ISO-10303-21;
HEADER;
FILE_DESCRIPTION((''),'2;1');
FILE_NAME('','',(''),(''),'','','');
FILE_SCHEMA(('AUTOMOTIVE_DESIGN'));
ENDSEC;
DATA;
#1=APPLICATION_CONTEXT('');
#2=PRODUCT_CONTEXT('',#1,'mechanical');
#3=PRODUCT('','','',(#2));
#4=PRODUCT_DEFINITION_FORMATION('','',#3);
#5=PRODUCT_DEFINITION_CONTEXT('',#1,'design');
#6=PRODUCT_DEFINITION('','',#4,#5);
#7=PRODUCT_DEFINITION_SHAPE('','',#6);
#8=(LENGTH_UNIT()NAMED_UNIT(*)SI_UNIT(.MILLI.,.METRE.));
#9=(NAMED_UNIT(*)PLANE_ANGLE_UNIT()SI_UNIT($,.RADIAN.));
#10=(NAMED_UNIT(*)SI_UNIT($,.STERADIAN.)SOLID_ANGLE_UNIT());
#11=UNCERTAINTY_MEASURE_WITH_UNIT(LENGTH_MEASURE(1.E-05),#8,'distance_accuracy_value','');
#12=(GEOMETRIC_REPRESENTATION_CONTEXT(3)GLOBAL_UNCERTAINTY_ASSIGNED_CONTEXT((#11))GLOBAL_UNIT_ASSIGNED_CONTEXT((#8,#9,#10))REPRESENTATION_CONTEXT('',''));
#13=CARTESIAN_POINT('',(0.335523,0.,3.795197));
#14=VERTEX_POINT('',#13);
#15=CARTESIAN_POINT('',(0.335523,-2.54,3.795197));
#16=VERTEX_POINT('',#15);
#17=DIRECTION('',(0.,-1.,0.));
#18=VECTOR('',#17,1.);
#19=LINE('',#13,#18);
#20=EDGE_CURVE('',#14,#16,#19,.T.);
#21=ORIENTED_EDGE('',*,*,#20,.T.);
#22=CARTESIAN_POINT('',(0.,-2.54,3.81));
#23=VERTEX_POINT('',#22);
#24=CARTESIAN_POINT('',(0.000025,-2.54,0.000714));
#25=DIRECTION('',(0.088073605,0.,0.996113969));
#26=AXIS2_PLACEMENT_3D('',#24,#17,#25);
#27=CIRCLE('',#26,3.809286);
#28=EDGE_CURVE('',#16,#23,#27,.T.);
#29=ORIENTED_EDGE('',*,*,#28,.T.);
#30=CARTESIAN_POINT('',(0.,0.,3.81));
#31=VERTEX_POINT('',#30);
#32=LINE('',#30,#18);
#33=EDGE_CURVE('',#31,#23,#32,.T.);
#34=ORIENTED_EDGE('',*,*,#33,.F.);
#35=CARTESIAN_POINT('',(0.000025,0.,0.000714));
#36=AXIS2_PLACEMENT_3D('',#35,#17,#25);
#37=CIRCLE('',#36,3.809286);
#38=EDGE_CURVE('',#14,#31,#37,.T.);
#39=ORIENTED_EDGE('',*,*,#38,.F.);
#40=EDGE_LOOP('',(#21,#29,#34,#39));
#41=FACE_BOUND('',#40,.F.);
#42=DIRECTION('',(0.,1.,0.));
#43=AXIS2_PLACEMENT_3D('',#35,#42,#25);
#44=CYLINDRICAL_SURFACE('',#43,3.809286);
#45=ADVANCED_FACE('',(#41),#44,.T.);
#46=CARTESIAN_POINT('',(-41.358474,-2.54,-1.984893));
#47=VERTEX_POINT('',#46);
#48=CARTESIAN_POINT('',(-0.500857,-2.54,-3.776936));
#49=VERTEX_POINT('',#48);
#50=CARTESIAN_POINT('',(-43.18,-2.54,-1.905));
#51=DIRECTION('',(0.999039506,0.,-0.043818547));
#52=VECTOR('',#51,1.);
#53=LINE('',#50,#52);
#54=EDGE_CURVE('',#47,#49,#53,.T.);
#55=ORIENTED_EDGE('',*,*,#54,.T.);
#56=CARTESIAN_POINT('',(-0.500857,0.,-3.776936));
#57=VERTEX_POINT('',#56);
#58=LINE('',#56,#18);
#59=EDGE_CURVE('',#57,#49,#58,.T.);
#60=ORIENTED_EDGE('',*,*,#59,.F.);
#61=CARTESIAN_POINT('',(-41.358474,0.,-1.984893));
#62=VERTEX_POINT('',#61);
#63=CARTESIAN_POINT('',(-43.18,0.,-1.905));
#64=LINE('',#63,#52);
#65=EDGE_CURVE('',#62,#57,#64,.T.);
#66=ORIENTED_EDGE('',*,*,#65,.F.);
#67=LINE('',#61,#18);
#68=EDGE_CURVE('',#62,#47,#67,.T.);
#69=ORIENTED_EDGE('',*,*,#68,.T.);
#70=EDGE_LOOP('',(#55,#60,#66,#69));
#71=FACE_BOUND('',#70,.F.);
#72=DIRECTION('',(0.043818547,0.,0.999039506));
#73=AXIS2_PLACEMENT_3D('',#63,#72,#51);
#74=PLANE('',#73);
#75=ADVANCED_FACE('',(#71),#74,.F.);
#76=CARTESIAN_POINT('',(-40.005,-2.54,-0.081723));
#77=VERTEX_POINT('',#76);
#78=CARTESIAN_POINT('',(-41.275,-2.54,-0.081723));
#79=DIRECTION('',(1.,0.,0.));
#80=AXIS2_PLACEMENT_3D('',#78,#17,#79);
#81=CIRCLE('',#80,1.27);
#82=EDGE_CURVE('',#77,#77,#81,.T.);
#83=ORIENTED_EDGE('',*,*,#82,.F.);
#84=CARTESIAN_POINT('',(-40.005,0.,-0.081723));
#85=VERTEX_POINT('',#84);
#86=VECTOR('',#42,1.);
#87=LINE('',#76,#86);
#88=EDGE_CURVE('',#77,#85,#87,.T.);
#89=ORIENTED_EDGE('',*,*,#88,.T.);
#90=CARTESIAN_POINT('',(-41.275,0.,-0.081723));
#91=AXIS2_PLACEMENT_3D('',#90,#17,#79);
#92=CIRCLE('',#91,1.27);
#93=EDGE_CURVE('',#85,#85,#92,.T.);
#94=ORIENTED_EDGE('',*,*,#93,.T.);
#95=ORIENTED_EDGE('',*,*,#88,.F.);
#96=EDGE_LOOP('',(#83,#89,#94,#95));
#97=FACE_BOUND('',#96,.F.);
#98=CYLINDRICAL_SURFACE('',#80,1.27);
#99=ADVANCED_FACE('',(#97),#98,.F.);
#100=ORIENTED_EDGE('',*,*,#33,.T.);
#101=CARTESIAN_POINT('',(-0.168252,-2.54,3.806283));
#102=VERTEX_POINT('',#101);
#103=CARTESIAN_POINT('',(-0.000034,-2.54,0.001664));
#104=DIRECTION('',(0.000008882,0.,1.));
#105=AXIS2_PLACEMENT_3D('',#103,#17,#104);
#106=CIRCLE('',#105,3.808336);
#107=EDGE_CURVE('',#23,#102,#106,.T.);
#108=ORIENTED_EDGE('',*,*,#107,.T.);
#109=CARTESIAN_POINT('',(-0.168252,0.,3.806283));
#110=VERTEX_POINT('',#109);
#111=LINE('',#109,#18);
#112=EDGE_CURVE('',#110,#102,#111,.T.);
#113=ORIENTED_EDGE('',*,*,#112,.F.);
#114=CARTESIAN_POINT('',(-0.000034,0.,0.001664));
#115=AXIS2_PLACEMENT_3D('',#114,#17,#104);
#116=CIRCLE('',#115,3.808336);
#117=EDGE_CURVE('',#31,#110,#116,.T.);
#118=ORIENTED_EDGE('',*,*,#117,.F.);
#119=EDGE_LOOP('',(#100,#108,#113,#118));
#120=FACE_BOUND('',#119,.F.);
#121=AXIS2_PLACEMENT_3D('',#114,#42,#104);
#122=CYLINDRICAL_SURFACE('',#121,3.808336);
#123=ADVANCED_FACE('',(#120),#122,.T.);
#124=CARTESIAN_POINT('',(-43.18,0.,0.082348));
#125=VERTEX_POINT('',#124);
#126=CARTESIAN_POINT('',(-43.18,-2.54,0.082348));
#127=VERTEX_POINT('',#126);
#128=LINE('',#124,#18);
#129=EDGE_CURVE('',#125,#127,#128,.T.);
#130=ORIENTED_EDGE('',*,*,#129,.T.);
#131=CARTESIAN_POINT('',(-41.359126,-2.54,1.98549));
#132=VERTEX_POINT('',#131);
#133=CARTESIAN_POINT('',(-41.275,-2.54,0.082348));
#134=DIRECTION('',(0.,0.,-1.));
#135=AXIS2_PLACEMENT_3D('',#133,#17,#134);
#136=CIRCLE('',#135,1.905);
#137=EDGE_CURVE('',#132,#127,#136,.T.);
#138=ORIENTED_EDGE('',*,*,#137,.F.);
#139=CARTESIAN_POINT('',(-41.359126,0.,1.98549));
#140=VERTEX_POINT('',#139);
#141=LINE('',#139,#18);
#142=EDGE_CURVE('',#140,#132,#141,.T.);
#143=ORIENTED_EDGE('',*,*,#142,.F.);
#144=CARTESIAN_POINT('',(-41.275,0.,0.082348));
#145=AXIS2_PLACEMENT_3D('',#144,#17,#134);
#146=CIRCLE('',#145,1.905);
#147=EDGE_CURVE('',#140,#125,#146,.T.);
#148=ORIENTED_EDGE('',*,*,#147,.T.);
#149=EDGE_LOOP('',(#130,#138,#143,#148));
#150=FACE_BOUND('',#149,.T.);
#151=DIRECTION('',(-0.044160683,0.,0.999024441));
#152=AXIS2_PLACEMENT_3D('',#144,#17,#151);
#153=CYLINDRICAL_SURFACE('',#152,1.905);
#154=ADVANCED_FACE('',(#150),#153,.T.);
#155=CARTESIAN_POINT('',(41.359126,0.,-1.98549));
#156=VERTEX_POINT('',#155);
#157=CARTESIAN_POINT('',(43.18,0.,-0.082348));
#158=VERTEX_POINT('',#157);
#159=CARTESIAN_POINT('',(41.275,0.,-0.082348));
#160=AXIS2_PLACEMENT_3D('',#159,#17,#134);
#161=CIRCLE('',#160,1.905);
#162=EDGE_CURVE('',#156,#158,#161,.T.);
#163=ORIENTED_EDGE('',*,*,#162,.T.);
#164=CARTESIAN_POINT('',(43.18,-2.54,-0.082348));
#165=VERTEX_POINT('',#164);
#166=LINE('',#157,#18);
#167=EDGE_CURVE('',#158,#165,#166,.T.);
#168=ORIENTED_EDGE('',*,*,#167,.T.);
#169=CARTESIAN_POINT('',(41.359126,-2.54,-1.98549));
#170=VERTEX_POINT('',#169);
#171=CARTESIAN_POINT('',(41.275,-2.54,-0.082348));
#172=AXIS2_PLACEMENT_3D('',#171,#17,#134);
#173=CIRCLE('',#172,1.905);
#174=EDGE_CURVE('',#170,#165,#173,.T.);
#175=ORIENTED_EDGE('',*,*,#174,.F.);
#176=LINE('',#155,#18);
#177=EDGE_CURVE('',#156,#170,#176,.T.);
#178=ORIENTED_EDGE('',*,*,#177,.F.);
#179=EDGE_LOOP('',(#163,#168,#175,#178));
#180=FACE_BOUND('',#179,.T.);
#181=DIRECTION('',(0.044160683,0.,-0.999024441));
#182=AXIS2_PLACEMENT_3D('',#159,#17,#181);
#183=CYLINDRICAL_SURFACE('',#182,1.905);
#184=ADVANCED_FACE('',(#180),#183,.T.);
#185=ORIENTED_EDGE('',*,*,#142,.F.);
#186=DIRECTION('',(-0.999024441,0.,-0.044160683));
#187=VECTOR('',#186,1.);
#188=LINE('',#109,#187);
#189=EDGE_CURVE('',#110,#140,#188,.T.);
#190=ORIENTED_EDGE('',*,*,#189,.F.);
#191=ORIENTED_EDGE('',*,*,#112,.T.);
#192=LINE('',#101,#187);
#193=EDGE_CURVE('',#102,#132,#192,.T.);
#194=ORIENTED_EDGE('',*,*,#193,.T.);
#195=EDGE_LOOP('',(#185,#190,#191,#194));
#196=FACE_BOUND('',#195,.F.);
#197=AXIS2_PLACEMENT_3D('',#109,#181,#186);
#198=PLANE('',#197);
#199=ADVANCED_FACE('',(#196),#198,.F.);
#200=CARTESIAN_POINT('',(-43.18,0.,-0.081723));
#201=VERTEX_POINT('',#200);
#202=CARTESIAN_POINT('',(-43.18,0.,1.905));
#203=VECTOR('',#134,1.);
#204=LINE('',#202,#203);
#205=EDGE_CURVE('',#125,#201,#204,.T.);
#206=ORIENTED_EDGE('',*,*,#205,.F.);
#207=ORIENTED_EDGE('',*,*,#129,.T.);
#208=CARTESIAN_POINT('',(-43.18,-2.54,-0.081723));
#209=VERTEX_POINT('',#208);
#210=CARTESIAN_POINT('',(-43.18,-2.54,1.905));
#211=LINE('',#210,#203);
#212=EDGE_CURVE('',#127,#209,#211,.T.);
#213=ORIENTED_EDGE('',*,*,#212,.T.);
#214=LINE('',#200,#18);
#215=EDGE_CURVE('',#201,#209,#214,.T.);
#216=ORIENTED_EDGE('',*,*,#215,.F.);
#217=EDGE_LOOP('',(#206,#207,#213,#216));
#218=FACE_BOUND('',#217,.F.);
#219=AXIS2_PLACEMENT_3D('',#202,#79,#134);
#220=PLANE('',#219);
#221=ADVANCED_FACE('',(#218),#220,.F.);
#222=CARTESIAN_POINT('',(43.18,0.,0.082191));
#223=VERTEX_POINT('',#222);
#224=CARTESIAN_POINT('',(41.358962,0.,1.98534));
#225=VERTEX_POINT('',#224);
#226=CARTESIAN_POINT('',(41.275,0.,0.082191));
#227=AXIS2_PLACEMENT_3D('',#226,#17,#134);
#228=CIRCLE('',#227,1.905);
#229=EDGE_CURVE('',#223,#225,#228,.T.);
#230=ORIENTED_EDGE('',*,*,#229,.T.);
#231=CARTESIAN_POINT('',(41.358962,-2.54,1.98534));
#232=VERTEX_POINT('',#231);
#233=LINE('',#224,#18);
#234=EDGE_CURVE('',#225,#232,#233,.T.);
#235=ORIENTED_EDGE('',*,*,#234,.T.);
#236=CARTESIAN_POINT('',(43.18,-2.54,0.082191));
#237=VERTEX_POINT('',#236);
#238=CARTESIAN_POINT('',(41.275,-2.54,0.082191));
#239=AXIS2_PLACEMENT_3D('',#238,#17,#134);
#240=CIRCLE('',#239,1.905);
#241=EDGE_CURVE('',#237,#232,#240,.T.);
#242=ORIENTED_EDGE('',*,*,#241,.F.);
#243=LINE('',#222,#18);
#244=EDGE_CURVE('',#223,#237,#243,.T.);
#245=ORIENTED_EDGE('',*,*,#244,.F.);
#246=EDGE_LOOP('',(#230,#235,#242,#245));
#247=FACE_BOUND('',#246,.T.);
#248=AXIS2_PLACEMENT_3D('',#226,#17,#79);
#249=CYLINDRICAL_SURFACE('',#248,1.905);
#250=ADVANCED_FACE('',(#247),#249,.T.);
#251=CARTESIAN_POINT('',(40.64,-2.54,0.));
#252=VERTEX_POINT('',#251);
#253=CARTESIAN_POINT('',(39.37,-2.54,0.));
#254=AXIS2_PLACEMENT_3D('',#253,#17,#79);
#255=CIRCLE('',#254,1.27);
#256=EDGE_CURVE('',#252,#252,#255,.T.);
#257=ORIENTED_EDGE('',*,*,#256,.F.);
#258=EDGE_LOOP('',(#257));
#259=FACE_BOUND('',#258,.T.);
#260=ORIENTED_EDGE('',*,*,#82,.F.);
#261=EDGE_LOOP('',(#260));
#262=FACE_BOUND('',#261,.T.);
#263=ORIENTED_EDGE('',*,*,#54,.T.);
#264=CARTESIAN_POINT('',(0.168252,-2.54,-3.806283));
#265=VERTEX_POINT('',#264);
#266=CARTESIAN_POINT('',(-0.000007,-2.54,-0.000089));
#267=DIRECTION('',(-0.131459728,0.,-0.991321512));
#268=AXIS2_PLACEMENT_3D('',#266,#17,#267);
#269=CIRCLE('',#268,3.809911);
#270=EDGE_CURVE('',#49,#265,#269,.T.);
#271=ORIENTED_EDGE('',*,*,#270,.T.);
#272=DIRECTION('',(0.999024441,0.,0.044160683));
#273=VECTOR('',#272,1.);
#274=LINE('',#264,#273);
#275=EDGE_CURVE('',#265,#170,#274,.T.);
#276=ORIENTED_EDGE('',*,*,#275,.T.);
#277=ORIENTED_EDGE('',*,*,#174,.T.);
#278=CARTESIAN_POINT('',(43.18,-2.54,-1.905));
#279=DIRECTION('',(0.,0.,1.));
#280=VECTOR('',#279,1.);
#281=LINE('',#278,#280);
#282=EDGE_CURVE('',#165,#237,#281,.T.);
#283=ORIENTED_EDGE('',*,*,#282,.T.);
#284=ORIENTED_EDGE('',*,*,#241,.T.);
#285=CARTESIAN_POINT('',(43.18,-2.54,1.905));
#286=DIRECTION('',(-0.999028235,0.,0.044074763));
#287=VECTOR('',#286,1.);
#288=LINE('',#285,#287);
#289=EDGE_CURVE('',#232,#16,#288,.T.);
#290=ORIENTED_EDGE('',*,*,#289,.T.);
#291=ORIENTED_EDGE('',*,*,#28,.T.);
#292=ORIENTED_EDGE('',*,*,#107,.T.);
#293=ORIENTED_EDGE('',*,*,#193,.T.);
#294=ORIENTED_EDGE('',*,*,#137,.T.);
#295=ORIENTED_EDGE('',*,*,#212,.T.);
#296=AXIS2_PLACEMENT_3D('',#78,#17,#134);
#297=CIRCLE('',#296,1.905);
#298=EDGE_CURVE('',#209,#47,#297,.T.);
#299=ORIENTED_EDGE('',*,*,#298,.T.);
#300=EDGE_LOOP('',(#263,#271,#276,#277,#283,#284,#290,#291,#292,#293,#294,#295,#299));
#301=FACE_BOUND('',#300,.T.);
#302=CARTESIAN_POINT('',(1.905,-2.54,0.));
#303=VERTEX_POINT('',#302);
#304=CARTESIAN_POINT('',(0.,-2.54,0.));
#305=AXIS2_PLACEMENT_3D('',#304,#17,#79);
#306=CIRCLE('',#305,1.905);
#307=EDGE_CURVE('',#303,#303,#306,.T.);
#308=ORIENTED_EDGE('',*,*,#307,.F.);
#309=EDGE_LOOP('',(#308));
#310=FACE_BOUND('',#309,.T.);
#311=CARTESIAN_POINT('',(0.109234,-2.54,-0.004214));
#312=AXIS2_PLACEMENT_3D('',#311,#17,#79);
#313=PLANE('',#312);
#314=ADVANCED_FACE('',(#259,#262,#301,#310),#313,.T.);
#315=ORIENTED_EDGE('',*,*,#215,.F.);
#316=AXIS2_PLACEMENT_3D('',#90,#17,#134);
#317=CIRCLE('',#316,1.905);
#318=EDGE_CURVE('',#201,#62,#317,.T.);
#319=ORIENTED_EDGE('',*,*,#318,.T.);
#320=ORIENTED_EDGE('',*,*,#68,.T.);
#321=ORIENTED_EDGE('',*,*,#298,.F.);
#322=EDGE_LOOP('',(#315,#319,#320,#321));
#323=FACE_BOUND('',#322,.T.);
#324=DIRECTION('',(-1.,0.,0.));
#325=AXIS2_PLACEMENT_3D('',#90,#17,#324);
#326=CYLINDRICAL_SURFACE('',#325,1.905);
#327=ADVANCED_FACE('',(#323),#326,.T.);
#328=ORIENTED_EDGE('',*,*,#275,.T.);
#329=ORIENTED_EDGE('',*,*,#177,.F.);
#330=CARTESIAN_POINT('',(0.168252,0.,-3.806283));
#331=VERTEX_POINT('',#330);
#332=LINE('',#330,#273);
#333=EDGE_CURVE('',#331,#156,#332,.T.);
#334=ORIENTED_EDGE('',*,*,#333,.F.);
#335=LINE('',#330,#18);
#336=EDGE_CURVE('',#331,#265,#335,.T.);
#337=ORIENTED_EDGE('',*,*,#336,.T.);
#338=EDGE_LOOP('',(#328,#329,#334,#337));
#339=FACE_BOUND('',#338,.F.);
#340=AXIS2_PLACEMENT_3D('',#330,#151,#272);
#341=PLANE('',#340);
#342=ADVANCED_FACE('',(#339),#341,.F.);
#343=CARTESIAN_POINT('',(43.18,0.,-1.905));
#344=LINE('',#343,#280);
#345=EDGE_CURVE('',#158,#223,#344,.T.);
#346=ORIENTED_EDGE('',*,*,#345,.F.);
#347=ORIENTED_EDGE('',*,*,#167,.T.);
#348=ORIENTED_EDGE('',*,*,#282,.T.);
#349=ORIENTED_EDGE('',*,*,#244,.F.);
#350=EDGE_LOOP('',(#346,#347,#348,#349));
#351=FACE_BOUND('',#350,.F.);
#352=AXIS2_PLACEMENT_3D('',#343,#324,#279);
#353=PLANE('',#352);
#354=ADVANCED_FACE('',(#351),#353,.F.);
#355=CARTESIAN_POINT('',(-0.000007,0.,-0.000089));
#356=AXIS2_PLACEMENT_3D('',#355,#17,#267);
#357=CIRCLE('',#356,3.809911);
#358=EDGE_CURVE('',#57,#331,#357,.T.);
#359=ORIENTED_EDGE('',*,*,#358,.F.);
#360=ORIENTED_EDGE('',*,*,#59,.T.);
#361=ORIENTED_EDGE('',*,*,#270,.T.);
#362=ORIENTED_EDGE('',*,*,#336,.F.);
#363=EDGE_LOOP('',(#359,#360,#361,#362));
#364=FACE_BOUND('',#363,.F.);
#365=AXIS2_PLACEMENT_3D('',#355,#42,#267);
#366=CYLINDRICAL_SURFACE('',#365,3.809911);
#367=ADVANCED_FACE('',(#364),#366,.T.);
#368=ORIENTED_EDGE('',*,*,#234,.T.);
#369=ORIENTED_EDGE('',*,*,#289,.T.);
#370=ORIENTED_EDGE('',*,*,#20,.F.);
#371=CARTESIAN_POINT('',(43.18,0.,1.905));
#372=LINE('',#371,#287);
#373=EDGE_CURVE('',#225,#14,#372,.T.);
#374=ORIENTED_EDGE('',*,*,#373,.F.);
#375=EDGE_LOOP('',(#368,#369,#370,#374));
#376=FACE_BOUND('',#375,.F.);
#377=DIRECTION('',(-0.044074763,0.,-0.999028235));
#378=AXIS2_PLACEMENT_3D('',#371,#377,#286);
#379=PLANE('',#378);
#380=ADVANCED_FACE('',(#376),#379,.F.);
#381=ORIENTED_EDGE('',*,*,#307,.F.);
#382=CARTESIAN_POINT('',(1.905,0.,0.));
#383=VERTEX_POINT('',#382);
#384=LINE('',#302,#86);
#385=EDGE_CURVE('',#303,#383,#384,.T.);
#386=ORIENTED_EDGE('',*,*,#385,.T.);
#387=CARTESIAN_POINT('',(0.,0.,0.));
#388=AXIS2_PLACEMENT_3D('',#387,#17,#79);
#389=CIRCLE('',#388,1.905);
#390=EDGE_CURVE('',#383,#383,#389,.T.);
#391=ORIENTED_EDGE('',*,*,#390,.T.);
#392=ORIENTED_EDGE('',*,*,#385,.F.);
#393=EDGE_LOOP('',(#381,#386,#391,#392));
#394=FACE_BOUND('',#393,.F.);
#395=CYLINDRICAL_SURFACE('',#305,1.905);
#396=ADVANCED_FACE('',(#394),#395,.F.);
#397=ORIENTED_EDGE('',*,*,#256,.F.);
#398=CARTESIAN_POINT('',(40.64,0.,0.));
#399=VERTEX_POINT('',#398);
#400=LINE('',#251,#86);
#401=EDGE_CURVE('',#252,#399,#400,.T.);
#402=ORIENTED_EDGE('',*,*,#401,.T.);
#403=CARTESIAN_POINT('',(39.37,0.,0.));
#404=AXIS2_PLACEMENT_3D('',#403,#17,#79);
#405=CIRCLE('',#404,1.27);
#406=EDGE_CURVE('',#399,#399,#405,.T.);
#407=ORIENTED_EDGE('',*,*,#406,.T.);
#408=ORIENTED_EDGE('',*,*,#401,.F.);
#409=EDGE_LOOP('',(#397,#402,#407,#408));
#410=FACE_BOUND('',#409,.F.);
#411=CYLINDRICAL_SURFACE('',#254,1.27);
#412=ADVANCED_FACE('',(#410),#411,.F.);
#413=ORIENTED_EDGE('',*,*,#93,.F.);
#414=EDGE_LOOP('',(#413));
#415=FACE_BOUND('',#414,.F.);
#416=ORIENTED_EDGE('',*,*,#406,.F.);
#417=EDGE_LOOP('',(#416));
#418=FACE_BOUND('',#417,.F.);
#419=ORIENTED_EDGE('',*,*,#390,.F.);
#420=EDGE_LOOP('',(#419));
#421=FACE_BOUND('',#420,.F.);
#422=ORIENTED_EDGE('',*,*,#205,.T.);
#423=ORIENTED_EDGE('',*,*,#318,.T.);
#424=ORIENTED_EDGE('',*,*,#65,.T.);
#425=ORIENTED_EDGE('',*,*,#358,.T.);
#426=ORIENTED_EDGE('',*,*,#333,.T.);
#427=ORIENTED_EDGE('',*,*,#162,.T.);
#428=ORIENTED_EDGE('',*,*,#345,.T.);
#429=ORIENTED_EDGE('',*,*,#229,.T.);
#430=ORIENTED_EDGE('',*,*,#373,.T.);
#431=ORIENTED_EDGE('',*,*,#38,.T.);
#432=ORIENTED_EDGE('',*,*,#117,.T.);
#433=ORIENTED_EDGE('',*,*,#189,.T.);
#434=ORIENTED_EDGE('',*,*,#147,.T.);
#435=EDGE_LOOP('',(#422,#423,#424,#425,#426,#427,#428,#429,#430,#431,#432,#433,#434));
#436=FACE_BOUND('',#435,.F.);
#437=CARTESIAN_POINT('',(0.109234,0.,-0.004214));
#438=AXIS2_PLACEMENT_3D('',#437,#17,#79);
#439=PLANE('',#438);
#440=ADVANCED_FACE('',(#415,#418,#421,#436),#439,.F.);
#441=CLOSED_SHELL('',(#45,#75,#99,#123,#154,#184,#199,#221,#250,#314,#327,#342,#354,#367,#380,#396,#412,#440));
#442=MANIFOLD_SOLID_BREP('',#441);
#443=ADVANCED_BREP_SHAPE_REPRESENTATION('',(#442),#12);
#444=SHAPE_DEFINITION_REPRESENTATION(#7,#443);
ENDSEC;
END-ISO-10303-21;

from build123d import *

# Parameters (mm, degrees)
F1_DEPTH = 2.54
F2_R     = 1.905
F3_R     = 1.905
F3_R_2   = 1.27
F4_DEPTH = 2.541


with BuildPart() as f1:
    # F0 (on Front) → F1 (new body)
    with BuildSketch(Plane.XZ):
        with BuildLine():
            Line((0.335523, 3.795197), (0, 3.81))
            ThreePointArc((0, 3.81), (-0.084147, 3.809071), (-0.168252, 3.806283))
            ThreePointArc((-0.168252, 3.806283), (-3.806341, 0.166949), (-0.500857, -3.776936))
            Line((-0.500857, -3.776936), (0.168252, -3.806283))
            ThreePointArc((0.168252, -3.806283), (2.75292, -2.633919), (3.81, 0))
            ThreePointArc((3.81, 0), (2.8102, 2.572718), (0.335523, 3.795197))
        make_face()
        with BuildLine():
            ThreePointArc((0.335523, 3.795197), (0.167925, 3.806298), (0, 3.81))
            Line((0, 3.81), (0.335523, 3.795197))
        make_face()
        with BuildLine():
            ThreePointArc((-0.500857, -3.776936), (-3.806341, 0.166949), (-0.168252, 3.806283))
            Line((-0.168252, 3.806283), (-43.18, 1.905))
            Line((-43.18, 1.905), (-43.18, -1.905))
            Line((-43.18, -1.905), (-0.500857, -3.776936))
        make_face()
        with BuildLine():
            Line((43.18, 1.905), (0.335523, 3.795197))
            ThreePointArc((0.335523, 3.795197), (2.8102, 2.572718), (3.81, 0))
            ThreePointArc((3.81, 0), (2.75292, -2.633919), (0.168252, -3.806283))
            Line((0.168252, -3.806283), (43.18, -1.905))
            Line((43.18, -1.905), (43.18, 1.905))
        make_face()
        with BuildLine():
            Line((0.168252, -3.806283), (-0.500857, -3.776936))
            ThreePointArc((-0.500857, -3.776936), (-0.166949, -3.806341), (0.168252, -3.806283))
        make_face()
    extrude(amount=F1_DEPTH)

    # F2
    f2_edges = [f1.edges().sort_by_distance(p)[0] for p in [
        (43.18, -1.27, -1.905),
        (43.18, -1.27, 1.905),
        (-43.18, -1.27, 1.905),
        (-43.18, -1.27, -1.905),
    ]]
    fillet(f2_edges, radius=F2_R)

    # F3 (on face) → F4 (cut, through all)
    with BuildSketch(Plane.XZ.offset(2.54)):
        Circle(F3_R)
        with Locations((39.37, 0)):
            Circle(F3_R_2)
        with Locations((-41.275, -0.081723)):
            Circle(F3_R_2)
    extrude(amount=-F4_DEPTH, mode=Mode.SUBTRACT)


solid = f1.part
